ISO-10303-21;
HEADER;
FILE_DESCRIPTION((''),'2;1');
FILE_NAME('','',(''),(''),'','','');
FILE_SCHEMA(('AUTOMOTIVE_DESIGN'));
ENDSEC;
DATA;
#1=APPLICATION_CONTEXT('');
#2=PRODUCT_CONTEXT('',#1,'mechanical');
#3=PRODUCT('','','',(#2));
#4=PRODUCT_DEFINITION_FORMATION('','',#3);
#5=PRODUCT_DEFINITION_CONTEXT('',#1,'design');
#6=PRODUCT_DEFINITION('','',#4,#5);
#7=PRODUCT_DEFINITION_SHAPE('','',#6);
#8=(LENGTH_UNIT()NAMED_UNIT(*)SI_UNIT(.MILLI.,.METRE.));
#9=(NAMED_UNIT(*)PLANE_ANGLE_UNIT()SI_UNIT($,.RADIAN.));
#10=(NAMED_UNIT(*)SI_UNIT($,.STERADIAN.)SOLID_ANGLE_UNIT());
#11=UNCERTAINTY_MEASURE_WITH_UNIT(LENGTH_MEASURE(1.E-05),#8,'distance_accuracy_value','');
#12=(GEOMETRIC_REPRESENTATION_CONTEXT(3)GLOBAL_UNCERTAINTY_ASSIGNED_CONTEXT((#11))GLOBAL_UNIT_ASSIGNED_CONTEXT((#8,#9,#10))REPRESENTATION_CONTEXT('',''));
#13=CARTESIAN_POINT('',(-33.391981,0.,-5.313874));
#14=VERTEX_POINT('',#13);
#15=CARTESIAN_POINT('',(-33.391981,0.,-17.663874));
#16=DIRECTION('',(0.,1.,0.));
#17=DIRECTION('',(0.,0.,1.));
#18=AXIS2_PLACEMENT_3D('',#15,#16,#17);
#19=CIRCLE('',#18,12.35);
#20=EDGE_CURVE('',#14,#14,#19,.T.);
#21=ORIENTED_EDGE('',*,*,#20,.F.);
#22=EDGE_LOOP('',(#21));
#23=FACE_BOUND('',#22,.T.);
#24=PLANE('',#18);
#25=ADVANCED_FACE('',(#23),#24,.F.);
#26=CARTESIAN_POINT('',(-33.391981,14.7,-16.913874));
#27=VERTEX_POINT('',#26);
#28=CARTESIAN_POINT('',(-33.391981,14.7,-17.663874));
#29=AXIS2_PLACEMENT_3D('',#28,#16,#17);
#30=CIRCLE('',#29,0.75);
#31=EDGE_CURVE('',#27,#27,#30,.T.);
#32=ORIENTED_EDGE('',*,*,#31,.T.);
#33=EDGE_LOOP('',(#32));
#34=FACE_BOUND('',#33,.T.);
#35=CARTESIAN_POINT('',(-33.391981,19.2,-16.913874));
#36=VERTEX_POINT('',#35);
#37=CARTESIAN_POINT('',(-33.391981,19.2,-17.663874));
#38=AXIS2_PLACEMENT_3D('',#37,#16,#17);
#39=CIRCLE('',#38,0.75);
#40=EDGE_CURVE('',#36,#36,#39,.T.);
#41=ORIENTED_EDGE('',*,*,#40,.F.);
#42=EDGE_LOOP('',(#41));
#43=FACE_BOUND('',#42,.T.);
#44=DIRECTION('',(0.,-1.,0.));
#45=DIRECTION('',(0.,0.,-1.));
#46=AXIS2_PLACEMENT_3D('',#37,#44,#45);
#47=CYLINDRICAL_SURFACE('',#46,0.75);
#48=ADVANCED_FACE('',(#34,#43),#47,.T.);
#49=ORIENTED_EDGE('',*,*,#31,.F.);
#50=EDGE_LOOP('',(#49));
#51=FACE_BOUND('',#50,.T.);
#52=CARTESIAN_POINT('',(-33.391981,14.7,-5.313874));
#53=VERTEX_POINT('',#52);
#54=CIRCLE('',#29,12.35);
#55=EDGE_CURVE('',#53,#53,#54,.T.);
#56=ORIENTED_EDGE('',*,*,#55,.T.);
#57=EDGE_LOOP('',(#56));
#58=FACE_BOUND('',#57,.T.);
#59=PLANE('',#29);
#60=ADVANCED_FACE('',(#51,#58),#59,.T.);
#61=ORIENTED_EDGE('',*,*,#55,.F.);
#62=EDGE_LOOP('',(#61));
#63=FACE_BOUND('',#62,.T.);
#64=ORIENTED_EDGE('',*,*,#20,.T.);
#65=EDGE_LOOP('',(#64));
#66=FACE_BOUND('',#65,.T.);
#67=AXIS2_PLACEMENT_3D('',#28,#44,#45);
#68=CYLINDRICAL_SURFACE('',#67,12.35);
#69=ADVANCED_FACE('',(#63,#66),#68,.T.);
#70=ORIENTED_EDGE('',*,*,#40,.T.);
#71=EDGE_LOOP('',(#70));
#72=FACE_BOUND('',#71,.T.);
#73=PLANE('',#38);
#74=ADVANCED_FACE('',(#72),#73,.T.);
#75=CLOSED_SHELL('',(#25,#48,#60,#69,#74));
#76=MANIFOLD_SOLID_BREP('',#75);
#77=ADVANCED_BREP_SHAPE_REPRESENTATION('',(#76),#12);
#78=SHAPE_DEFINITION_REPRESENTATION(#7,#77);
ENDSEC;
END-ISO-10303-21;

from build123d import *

# Parameters (mm, degrees)
SKETCH1_R           = 12.35
BOSS_EXTRUDE1_DEPTH = 14.7
SKETCH2_R           = 0.75
BOSS_EXTRUDE2_DEPTH = 4.5


with BuildPart() as part:
    # Sketch1 → Boss-Extrude1 (new body)
    with BuildSketch(Plane(origin=(0, 0, 0), x_dir=(1, 0, 0), z_dir=(0, 1, 0))):
        with Locations((-33.391980659, 17.663873827)):
            Circle(SKETCH1_R)
    extrude(amount=BOSS_EXTRUDE1_DEPTH)

    # Sketch2 → Boss-Extrude2 (add)
    with BuildSketch(Plane(origin=(0, 14.7, 0), x_dir=(1, 0, 0), z_dir=(0, 1, 0))):
        with Locations((-33.391980659, 17.663873827)):
            Circle(SKETCH2_R)
    extrude(amount=BOSS_EXTRUDE2_DEPTH)


solid = part.part
